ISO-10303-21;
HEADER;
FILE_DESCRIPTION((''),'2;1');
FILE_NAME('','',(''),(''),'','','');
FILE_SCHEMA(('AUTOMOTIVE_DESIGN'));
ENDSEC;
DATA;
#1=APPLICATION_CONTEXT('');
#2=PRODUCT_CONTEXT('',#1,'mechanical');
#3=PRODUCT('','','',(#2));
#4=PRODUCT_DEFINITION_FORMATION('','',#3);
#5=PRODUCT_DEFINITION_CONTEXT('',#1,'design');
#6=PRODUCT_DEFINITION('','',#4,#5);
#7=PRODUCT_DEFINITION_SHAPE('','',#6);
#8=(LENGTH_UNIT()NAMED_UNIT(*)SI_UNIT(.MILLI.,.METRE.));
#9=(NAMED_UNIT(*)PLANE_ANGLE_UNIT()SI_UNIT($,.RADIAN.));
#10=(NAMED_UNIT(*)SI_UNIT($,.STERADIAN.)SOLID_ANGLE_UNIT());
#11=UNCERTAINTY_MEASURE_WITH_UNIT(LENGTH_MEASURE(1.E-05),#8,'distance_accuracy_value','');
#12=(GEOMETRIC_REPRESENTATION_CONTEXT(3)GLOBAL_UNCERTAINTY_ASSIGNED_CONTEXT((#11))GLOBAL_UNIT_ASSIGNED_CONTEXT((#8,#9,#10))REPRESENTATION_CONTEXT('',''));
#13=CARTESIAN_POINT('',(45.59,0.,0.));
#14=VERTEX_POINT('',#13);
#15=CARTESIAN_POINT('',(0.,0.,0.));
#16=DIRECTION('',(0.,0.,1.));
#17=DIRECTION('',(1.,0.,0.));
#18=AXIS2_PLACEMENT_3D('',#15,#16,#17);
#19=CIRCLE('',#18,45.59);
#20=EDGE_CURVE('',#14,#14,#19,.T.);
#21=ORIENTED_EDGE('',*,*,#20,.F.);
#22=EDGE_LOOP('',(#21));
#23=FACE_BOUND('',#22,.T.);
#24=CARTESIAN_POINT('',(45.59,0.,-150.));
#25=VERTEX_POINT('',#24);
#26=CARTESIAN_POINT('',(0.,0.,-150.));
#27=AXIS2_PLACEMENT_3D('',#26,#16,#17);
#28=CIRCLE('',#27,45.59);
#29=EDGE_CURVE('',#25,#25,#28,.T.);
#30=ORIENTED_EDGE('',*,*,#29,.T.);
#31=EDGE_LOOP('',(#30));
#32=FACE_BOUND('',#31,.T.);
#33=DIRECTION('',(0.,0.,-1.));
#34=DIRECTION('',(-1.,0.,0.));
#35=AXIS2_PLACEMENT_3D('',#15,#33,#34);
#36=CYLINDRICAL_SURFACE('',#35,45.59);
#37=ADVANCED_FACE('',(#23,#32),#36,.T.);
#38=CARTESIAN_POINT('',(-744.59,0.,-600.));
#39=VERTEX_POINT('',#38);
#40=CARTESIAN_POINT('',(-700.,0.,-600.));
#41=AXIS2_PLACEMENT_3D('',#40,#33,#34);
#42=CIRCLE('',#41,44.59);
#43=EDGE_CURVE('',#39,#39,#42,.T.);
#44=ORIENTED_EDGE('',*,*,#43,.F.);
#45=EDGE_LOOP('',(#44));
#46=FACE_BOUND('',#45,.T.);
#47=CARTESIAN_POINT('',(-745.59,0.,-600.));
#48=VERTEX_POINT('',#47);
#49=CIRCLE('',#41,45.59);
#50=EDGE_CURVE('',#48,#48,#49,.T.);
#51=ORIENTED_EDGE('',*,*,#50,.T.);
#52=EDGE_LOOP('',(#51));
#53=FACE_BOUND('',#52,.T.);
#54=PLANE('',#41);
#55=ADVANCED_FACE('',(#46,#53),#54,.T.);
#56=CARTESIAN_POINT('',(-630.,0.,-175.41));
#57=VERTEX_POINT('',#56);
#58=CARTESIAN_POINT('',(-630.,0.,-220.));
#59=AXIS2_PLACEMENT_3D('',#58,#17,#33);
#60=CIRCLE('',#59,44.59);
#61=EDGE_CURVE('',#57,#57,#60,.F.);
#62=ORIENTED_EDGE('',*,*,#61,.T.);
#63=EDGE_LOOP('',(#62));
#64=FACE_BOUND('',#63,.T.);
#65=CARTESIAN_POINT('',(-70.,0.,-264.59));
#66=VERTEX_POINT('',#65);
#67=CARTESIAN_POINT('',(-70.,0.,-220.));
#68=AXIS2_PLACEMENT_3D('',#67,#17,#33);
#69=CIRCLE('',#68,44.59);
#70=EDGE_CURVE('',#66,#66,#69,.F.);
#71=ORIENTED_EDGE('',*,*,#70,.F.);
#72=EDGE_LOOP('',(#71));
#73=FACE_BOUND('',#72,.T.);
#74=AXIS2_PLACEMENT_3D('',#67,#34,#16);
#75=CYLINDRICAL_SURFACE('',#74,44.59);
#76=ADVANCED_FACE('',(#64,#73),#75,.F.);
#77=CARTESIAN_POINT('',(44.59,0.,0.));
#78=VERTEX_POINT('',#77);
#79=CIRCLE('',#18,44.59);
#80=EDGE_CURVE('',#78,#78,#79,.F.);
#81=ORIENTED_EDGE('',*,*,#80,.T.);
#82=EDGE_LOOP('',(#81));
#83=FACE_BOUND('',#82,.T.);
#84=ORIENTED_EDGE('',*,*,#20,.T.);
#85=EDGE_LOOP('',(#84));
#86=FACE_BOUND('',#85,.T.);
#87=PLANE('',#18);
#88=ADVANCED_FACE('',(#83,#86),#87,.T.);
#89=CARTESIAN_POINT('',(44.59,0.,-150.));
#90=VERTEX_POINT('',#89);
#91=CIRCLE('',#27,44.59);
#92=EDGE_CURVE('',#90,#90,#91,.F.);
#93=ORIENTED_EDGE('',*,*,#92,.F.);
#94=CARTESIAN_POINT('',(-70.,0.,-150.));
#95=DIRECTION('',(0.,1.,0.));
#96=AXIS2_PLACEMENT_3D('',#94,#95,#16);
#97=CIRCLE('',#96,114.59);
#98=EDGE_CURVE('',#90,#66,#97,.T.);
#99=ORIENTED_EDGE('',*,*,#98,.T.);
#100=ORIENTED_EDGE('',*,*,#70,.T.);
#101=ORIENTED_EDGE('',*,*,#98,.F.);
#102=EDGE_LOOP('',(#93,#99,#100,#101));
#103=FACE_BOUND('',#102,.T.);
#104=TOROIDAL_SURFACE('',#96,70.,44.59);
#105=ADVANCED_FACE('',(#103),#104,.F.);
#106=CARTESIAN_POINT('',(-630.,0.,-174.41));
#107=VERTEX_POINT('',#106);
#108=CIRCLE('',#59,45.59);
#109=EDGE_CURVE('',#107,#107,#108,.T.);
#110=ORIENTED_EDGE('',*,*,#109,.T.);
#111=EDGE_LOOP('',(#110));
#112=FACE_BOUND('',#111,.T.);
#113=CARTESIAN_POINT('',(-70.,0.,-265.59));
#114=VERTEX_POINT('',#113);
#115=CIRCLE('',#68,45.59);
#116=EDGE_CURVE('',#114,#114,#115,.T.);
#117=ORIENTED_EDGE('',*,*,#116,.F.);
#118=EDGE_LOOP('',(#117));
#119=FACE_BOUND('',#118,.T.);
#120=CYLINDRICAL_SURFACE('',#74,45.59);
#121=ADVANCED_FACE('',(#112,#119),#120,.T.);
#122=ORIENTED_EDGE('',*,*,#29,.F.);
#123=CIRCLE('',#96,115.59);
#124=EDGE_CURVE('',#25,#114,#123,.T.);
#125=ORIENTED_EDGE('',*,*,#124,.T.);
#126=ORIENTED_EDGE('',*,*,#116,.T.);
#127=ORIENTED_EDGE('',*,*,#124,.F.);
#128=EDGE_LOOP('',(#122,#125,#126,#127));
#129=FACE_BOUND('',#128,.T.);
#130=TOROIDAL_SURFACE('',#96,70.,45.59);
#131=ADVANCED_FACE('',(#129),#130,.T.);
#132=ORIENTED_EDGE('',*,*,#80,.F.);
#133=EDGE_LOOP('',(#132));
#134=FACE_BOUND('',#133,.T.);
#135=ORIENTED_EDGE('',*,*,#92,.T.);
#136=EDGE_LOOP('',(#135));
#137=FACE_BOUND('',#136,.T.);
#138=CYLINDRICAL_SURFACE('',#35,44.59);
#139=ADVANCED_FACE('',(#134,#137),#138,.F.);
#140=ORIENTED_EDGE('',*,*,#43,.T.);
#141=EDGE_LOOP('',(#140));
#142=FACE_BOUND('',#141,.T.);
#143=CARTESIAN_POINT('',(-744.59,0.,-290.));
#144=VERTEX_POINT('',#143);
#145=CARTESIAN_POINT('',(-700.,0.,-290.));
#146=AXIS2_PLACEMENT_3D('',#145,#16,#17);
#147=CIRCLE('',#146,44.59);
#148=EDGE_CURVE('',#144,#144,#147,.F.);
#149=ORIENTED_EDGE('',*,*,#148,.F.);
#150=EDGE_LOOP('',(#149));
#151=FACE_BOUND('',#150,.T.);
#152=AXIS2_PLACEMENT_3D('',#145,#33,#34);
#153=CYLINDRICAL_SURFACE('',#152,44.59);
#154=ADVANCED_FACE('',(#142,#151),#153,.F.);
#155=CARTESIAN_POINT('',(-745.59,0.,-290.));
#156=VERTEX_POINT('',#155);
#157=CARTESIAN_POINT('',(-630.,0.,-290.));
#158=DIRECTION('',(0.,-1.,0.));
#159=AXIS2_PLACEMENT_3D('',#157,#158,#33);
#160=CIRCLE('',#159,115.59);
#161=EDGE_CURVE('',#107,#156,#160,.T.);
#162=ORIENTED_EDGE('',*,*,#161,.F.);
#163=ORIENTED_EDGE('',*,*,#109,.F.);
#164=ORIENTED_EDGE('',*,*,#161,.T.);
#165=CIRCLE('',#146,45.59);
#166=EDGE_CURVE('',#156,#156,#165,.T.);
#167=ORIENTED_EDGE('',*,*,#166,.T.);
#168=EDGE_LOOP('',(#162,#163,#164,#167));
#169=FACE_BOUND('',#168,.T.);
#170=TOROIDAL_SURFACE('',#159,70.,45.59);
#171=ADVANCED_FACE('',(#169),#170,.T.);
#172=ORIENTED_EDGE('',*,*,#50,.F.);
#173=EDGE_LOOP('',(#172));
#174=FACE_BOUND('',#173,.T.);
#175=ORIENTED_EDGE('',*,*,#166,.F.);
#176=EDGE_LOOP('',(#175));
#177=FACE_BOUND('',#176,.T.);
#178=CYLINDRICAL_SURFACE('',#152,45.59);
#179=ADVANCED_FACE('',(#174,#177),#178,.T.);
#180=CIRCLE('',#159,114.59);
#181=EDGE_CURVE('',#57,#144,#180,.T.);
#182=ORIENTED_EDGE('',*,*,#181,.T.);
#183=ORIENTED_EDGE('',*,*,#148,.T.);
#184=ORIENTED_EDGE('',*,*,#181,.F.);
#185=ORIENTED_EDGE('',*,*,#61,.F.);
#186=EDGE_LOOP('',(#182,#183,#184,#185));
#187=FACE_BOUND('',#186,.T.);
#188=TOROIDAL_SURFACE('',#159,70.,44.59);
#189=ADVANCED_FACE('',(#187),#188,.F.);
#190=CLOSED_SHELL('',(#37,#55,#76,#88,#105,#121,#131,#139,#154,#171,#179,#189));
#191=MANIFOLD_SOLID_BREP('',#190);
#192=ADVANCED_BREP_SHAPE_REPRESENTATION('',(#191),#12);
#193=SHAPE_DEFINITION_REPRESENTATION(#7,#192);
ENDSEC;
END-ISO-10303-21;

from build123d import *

# Parameters (mm, degrees)
SKETCH2_R           = 45.59
SKETCH2_R_2         = 44.59
BOSS_EXTRUDE3_START = 130
SKETCH4_R           = 45.59
SKETCH4_R_2         = 44.59
BOSS_EXTRUDE3_DEPTH = 130


with BuildPart() as part:
    # Sweep1: sweep along a path in Sketch1
    with BuildLine(Plane(origin=(0, 0, 0), x_dir=(1, 0, 0), z_dir=(0, 1, 0))) as sweep1_path:
        Line((0, 0), (0, 150))
        ThreePointArc((0, 150), (-20.502525317, 199.497474683), (-70, 220))
        Line((-70, 220), (-630, 220))
        ThreePointArc((-630, 220), (-679.497474683, 240.502525317), (-700, 290))
        Line((-700, 290), (-700, 470))
    # Sketch2 → Sweep1 (sweep)
    with BuildSketch(Plane.XY):
        Circle(SKETCH2_R)
        Circle(SKETCH2_R_2, mode=Mode.SUBTRACT)
    sweep(path=sweep1_path.line)

    # Sketch4 → Boss-Extrude3 (add)
    with BuildSketch(Plane(origin=(0, 0, -470), x_dir=(-1, 0, 0), z_dir=(0, 0, -1)).offset(BOSS_EXTRUDE3_START)):
        with Locations((700, 0)):
            Circle(SKETCH4_R)
        with Locations((700, 0)):
            Circle(SKETCH4_R_2, mode=Mode.SUBTRACT)
    extrude(amount=-BOSS_EXTRUDE3_DEPTH)


solid = part.part
